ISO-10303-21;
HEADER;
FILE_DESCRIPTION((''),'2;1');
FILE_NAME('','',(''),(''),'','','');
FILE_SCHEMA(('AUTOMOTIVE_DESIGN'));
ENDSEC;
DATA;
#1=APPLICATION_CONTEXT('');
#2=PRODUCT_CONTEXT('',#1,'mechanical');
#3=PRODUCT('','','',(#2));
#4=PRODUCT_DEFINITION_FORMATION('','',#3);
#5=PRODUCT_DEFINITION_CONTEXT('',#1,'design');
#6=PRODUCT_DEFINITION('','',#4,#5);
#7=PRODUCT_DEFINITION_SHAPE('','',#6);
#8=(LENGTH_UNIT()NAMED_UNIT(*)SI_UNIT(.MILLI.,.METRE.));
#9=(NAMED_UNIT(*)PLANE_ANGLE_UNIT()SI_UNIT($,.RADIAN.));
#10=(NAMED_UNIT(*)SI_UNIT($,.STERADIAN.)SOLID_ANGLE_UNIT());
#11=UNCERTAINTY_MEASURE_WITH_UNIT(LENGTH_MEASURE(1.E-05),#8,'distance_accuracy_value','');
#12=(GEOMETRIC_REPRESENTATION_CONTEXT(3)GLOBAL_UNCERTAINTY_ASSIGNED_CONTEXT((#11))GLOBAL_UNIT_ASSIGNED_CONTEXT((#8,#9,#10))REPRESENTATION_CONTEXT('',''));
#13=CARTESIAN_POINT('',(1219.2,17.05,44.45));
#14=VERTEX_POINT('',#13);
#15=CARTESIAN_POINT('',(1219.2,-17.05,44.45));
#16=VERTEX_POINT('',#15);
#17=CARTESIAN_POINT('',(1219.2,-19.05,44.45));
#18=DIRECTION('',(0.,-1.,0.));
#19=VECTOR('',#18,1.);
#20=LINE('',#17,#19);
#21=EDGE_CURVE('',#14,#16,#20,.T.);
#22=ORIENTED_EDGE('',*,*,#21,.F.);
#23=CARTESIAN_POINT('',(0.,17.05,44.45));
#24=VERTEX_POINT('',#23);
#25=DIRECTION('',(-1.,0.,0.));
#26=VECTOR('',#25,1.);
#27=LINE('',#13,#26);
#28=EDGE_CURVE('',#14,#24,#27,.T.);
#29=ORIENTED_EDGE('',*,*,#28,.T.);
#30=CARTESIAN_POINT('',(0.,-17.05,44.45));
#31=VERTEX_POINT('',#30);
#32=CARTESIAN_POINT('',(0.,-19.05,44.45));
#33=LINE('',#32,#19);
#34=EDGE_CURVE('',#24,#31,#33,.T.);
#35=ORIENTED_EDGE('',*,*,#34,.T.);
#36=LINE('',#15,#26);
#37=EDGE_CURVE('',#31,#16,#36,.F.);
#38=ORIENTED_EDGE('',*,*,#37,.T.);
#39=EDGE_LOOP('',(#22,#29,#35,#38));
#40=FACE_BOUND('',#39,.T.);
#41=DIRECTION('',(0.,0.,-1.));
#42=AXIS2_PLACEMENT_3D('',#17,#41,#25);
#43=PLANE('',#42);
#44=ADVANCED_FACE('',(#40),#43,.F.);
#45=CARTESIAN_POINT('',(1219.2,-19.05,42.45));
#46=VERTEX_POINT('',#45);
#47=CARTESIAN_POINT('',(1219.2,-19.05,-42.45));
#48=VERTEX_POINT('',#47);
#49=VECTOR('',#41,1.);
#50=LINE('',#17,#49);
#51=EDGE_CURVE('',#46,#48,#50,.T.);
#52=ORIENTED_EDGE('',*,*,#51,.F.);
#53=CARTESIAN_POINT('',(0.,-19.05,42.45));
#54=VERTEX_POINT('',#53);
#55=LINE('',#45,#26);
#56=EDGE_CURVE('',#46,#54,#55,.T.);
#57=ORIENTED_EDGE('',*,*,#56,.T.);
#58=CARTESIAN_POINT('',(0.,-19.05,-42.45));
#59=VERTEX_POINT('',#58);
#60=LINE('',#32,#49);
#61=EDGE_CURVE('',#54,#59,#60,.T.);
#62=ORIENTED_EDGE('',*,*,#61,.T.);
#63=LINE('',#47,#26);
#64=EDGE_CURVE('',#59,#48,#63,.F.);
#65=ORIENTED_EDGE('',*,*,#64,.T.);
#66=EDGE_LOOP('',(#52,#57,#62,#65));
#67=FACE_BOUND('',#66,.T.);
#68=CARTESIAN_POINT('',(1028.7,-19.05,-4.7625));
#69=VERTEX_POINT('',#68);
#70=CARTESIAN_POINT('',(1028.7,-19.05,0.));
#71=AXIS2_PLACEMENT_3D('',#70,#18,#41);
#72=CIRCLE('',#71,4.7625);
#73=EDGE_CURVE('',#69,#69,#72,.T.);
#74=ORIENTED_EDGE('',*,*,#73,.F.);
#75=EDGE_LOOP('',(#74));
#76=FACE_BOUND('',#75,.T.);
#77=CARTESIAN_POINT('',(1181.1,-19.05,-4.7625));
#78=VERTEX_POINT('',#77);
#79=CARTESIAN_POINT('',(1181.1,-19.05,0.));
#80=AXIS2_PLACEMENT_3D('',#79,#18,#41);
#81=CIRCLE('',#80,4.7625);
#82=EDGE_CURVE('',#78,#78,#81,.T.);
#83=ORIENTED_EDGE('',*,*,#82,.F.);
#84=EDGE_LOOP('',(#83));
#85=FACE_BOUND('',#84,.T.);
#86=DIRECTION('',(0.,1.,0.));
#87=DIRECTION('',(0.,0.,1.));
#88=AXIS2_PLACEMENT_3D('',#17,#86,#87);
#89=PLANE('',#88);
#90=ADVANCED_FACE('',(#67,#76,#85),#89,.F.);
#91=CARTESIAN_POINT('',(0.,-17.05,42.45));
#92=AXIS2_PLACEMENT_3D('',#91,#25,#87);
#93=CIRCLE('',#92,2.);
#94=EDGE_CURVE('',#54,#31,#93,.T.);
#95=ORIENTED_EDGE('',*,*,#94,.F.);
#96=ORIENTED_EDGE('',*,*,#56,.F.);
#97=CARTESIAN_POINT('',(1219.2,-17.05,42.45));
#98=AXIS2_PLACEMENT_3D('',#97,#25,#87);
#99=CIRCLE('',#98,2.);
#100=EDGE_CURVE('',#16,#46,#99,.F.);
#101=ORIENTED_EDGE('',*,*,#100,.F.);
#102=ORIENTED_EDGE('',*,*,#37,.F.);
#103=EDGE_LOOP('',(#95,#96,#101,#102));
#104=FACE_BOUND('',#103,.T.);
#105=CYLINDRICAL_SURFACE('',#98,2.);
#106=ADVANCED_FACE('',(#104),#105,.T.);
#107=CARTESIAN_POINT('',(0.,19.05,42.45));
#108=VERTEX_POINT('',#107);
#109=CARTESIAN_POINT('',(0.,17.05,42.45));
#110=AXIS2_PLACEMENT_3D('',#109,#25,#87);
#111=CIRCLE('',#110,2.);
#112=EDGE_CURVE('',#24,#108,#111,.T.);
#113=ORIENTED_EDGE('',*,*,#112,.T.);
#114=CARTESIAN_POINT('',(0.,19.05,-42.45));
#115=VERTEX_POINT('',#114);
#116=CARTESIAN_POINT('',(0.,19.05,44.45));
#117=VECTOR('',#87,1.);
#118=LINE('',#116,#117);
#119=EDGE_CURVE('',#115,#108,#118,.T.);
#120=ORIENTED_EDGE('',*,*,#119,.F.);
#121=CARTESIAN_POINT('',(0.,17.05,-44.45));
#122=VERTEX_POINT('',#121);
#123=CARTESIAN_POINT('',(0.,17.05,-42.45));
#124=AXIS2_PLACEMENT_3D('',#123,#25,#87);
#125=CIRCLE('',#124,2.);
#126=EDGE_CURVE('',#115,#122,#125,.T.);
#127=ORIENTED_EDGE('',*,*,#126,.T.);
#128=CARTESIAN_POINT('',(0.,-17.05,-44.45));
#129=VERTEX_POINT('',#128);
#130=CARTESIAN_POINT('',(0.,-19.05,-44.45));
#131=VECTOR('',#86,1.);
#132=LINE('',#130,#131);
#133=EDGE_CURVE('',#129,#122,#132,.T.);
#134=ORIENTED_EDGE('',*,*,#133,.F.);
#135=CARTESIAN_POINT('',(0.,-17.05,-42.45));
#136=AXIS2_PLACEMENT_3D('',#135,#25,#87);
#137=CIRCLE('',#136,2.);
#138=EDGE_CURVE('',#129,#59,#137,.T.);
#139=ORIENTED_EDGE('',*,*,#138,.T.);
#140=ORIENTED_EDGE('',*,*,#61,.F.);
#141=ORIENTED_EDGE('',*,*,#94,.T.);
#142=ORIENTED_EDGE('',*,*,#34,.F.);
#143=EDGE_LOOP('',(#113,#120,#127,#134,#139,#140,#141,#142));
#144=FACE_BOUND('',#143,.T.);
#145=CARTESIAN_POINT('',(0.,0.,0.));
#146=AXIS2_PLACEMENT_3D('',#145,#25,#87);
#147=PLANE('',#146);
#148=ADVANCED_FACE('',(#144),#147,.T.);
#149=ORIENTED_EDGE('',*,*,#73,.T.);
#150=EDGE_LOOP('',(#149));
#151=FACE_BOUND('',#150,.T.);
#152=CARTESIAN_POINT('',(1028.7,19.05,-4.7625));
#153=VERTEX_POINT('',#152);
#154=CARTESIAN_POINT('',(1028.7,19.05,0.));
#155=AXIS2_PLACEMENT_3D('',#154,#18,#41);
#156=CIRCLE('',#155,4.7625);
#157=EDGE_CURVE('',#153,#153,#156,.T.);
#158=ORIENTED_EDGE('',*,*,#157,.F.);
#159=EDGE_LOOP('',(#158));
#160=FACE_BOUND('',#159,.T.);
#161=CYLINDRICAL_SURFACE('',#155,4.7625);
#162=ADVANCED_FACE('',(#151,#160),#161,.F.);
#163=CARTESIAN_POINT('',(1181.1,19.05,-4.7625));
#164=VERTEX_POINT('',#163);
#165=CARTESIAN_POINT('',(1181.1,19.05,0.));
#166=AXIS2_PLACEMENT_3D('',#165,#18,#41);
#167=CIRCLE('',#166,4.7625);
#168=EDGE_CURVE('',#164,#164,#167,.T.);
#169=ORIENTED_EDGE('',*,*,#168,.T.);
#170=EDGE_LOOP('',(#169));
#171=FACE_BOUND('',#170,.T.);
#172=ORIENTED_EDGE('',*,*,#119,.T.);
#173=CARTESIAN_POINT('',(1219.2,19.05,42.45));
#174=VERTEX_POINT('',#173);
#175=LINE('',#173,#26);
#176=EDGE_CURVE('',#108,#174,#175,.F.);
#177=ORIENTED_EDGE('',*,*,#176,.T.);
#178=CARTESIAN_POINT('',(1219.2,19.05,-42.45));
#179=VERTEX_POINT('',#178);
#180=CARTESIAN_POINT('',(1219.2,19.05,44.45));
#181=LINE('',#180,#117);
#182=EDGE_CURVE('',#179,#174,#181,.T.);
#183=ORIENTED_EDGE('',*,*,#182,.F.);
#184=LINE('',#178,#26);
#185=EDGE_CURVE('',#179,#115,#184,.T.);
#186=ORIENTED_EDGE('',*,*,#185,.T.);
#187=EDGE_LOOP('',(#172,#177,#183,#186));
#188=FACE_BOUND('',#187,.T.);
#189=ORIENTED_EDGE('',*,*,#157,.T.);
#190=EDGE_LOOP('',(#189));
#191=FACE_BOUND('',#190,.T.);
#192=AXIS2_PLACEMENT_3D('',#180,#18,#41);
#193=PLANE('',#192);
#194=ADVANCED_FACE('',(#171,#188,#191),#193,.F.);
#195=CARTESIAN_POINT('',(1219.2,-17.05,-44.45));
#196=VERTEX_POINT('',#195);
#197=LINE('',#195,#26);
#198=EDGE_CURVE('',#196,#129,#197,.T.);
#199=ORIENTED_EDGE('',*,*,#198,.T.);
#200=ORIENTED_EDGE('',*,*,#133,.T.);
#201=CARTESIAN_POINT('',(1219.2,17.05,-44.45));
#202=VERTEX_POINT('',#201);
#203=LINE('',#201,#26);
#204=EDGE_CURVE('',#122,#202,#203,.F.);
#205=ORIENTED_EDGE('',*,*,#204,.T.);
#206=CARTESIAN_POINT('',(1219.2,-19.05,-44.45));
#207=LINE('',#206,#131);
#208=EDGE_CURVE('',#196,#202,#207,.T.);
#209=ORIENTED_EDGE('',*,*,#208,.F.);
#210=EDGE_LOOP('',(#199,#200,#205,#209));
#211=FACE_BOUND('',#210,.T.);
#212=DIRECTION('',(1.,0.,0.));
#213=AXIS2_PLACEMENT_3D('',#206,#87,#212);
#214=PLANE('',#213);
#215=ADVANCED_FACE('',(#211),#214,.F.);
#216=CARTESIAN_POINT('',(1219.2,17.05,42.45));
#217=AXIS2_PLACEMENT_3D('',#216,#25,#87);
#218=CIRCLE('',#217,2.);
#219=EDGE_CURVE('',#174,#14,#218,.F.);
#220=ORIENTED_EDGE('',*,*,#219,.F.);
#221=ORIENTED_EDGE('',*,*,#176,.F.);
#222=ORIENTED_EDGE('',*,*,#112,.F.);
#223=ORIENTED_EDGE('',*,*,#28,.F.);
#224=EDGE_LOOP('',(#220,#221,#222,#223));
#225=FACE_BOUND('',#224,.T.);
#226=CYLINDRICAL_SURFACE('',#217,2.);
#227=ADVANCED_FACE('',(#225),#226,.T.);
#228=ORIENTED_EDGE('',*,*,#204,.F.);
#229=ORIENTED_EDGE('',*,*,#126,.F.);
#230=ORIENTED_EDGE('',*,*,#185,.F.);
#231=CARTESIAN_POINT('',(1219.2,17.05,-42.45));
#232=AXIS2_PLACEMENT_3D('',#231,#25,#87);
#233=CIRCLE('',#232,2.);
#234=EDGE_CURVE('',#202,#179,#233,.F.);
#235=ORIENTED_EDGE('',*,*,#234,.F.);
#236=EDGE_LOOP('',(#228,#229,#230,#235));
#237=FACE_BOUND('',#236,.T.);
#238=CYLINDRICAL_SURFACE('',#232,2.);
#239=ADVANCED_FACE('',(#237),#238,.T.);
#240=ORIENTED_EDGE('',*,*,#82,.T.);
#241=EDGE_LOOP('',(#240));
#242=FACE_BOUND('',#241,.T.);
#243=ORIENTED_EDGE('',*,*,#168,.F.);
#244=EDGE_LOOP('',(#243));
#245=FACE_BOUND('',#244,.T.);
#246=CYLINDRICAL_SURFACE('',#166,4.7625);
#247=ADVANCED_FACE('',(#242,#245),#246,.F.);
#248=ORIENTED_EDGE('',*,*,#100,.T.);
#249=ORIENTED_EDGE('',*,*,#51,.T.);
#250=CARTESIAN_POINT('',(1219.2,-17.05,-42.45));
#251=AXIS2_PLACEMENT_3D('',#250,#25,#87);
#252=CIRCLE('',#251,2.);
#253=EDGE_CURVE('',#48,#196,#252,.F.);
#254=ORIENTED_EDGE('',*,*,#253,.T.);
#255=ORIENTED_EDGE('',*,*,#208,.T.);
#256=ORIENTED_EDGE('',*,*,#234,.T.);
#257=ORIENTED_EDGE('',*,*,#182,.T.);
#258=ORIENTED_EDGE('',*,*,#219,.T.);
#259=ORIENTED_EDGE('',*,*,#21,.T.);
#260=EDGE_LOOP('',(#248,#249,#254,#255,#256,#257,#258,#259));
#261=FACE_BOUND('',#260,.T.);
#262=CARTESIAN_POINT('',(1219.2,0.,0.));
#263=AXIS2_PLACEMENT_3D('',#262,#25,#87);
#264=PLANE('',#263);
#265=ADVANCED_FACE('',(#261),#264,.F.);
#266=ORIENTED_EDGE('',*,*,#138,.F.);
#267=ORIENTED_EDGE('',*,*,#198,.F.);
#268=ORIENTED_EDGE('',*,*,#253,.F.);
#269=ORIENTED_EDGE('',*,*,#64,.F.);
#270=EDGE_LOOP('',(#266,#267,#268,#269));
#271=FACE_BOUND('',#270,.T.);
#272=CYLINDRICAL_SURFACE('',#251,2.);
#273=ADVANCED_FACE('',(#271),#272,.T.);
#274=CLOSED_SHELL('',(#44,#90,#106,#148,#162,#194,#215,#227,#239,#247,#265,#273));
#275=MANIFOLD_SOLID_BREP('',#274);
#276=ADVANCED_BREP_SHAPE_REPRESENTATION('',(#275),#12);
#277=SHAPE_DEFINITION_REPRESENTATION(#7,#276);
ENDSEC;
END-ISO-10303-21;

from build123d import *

# Parameters (mm, degrees)
SKETCH1_W           = 88.9
SKETCH1_H           = 38.1
BOSS_EXTRUDE1_DEPTH = 1219.2
FILLET1_R           = 2
SKETCH2_R           = 4.7625
CUT_EXTRUDE1_DEPTH  = 1221.604789643


with BuildPart() as part:
    # Sketch1 → Boss-Extrude1 (new body)
    with BuildSketch(Plane(origin=(0, 609.6, 0), x_dir=(0, 0, -1), z_dir=(1, 0, 0))):
        with Locations((0, -609.6)):
            Rectangle(SKETCH1_W, SKETCH1_H)
    extrude(amount=BOSS_EXTRUDE1_DEPTH)

    # Fillet1
    fillet1_edges = [part.edges().sort_by_distance(p)[0] for p in [
        (609.6, -19.05, -44.45),
        (609.6, -19.05, 44.45),
        (609.6, 19.05, 44.45),
        (609.6, 19.05, -44.45),
    ]]
    fillet(fillet1_edges, radius=FILLET1_R)

    # Sketch2 → Cut-Extrude1 (cut, through all)
    with BuildSketch(Plane(origin=(0, -19.05, 0), x_dir=(-1, 0, 0), z_dir=(0, -1, 0))):
        with Locations(Location((-1028.7, 0, 0), (0, 0, 90))):
            Circle(SKETCH2_R)
        with Locations(Location((-1181.1, 0, 0), (0, 0, 90))):
            Circle(SKETCH2_R)
    extrude(amount=-CUT_EXTRUDE1_DEPTH, mode=Mode.SUBTRACT)


solid = part.part
